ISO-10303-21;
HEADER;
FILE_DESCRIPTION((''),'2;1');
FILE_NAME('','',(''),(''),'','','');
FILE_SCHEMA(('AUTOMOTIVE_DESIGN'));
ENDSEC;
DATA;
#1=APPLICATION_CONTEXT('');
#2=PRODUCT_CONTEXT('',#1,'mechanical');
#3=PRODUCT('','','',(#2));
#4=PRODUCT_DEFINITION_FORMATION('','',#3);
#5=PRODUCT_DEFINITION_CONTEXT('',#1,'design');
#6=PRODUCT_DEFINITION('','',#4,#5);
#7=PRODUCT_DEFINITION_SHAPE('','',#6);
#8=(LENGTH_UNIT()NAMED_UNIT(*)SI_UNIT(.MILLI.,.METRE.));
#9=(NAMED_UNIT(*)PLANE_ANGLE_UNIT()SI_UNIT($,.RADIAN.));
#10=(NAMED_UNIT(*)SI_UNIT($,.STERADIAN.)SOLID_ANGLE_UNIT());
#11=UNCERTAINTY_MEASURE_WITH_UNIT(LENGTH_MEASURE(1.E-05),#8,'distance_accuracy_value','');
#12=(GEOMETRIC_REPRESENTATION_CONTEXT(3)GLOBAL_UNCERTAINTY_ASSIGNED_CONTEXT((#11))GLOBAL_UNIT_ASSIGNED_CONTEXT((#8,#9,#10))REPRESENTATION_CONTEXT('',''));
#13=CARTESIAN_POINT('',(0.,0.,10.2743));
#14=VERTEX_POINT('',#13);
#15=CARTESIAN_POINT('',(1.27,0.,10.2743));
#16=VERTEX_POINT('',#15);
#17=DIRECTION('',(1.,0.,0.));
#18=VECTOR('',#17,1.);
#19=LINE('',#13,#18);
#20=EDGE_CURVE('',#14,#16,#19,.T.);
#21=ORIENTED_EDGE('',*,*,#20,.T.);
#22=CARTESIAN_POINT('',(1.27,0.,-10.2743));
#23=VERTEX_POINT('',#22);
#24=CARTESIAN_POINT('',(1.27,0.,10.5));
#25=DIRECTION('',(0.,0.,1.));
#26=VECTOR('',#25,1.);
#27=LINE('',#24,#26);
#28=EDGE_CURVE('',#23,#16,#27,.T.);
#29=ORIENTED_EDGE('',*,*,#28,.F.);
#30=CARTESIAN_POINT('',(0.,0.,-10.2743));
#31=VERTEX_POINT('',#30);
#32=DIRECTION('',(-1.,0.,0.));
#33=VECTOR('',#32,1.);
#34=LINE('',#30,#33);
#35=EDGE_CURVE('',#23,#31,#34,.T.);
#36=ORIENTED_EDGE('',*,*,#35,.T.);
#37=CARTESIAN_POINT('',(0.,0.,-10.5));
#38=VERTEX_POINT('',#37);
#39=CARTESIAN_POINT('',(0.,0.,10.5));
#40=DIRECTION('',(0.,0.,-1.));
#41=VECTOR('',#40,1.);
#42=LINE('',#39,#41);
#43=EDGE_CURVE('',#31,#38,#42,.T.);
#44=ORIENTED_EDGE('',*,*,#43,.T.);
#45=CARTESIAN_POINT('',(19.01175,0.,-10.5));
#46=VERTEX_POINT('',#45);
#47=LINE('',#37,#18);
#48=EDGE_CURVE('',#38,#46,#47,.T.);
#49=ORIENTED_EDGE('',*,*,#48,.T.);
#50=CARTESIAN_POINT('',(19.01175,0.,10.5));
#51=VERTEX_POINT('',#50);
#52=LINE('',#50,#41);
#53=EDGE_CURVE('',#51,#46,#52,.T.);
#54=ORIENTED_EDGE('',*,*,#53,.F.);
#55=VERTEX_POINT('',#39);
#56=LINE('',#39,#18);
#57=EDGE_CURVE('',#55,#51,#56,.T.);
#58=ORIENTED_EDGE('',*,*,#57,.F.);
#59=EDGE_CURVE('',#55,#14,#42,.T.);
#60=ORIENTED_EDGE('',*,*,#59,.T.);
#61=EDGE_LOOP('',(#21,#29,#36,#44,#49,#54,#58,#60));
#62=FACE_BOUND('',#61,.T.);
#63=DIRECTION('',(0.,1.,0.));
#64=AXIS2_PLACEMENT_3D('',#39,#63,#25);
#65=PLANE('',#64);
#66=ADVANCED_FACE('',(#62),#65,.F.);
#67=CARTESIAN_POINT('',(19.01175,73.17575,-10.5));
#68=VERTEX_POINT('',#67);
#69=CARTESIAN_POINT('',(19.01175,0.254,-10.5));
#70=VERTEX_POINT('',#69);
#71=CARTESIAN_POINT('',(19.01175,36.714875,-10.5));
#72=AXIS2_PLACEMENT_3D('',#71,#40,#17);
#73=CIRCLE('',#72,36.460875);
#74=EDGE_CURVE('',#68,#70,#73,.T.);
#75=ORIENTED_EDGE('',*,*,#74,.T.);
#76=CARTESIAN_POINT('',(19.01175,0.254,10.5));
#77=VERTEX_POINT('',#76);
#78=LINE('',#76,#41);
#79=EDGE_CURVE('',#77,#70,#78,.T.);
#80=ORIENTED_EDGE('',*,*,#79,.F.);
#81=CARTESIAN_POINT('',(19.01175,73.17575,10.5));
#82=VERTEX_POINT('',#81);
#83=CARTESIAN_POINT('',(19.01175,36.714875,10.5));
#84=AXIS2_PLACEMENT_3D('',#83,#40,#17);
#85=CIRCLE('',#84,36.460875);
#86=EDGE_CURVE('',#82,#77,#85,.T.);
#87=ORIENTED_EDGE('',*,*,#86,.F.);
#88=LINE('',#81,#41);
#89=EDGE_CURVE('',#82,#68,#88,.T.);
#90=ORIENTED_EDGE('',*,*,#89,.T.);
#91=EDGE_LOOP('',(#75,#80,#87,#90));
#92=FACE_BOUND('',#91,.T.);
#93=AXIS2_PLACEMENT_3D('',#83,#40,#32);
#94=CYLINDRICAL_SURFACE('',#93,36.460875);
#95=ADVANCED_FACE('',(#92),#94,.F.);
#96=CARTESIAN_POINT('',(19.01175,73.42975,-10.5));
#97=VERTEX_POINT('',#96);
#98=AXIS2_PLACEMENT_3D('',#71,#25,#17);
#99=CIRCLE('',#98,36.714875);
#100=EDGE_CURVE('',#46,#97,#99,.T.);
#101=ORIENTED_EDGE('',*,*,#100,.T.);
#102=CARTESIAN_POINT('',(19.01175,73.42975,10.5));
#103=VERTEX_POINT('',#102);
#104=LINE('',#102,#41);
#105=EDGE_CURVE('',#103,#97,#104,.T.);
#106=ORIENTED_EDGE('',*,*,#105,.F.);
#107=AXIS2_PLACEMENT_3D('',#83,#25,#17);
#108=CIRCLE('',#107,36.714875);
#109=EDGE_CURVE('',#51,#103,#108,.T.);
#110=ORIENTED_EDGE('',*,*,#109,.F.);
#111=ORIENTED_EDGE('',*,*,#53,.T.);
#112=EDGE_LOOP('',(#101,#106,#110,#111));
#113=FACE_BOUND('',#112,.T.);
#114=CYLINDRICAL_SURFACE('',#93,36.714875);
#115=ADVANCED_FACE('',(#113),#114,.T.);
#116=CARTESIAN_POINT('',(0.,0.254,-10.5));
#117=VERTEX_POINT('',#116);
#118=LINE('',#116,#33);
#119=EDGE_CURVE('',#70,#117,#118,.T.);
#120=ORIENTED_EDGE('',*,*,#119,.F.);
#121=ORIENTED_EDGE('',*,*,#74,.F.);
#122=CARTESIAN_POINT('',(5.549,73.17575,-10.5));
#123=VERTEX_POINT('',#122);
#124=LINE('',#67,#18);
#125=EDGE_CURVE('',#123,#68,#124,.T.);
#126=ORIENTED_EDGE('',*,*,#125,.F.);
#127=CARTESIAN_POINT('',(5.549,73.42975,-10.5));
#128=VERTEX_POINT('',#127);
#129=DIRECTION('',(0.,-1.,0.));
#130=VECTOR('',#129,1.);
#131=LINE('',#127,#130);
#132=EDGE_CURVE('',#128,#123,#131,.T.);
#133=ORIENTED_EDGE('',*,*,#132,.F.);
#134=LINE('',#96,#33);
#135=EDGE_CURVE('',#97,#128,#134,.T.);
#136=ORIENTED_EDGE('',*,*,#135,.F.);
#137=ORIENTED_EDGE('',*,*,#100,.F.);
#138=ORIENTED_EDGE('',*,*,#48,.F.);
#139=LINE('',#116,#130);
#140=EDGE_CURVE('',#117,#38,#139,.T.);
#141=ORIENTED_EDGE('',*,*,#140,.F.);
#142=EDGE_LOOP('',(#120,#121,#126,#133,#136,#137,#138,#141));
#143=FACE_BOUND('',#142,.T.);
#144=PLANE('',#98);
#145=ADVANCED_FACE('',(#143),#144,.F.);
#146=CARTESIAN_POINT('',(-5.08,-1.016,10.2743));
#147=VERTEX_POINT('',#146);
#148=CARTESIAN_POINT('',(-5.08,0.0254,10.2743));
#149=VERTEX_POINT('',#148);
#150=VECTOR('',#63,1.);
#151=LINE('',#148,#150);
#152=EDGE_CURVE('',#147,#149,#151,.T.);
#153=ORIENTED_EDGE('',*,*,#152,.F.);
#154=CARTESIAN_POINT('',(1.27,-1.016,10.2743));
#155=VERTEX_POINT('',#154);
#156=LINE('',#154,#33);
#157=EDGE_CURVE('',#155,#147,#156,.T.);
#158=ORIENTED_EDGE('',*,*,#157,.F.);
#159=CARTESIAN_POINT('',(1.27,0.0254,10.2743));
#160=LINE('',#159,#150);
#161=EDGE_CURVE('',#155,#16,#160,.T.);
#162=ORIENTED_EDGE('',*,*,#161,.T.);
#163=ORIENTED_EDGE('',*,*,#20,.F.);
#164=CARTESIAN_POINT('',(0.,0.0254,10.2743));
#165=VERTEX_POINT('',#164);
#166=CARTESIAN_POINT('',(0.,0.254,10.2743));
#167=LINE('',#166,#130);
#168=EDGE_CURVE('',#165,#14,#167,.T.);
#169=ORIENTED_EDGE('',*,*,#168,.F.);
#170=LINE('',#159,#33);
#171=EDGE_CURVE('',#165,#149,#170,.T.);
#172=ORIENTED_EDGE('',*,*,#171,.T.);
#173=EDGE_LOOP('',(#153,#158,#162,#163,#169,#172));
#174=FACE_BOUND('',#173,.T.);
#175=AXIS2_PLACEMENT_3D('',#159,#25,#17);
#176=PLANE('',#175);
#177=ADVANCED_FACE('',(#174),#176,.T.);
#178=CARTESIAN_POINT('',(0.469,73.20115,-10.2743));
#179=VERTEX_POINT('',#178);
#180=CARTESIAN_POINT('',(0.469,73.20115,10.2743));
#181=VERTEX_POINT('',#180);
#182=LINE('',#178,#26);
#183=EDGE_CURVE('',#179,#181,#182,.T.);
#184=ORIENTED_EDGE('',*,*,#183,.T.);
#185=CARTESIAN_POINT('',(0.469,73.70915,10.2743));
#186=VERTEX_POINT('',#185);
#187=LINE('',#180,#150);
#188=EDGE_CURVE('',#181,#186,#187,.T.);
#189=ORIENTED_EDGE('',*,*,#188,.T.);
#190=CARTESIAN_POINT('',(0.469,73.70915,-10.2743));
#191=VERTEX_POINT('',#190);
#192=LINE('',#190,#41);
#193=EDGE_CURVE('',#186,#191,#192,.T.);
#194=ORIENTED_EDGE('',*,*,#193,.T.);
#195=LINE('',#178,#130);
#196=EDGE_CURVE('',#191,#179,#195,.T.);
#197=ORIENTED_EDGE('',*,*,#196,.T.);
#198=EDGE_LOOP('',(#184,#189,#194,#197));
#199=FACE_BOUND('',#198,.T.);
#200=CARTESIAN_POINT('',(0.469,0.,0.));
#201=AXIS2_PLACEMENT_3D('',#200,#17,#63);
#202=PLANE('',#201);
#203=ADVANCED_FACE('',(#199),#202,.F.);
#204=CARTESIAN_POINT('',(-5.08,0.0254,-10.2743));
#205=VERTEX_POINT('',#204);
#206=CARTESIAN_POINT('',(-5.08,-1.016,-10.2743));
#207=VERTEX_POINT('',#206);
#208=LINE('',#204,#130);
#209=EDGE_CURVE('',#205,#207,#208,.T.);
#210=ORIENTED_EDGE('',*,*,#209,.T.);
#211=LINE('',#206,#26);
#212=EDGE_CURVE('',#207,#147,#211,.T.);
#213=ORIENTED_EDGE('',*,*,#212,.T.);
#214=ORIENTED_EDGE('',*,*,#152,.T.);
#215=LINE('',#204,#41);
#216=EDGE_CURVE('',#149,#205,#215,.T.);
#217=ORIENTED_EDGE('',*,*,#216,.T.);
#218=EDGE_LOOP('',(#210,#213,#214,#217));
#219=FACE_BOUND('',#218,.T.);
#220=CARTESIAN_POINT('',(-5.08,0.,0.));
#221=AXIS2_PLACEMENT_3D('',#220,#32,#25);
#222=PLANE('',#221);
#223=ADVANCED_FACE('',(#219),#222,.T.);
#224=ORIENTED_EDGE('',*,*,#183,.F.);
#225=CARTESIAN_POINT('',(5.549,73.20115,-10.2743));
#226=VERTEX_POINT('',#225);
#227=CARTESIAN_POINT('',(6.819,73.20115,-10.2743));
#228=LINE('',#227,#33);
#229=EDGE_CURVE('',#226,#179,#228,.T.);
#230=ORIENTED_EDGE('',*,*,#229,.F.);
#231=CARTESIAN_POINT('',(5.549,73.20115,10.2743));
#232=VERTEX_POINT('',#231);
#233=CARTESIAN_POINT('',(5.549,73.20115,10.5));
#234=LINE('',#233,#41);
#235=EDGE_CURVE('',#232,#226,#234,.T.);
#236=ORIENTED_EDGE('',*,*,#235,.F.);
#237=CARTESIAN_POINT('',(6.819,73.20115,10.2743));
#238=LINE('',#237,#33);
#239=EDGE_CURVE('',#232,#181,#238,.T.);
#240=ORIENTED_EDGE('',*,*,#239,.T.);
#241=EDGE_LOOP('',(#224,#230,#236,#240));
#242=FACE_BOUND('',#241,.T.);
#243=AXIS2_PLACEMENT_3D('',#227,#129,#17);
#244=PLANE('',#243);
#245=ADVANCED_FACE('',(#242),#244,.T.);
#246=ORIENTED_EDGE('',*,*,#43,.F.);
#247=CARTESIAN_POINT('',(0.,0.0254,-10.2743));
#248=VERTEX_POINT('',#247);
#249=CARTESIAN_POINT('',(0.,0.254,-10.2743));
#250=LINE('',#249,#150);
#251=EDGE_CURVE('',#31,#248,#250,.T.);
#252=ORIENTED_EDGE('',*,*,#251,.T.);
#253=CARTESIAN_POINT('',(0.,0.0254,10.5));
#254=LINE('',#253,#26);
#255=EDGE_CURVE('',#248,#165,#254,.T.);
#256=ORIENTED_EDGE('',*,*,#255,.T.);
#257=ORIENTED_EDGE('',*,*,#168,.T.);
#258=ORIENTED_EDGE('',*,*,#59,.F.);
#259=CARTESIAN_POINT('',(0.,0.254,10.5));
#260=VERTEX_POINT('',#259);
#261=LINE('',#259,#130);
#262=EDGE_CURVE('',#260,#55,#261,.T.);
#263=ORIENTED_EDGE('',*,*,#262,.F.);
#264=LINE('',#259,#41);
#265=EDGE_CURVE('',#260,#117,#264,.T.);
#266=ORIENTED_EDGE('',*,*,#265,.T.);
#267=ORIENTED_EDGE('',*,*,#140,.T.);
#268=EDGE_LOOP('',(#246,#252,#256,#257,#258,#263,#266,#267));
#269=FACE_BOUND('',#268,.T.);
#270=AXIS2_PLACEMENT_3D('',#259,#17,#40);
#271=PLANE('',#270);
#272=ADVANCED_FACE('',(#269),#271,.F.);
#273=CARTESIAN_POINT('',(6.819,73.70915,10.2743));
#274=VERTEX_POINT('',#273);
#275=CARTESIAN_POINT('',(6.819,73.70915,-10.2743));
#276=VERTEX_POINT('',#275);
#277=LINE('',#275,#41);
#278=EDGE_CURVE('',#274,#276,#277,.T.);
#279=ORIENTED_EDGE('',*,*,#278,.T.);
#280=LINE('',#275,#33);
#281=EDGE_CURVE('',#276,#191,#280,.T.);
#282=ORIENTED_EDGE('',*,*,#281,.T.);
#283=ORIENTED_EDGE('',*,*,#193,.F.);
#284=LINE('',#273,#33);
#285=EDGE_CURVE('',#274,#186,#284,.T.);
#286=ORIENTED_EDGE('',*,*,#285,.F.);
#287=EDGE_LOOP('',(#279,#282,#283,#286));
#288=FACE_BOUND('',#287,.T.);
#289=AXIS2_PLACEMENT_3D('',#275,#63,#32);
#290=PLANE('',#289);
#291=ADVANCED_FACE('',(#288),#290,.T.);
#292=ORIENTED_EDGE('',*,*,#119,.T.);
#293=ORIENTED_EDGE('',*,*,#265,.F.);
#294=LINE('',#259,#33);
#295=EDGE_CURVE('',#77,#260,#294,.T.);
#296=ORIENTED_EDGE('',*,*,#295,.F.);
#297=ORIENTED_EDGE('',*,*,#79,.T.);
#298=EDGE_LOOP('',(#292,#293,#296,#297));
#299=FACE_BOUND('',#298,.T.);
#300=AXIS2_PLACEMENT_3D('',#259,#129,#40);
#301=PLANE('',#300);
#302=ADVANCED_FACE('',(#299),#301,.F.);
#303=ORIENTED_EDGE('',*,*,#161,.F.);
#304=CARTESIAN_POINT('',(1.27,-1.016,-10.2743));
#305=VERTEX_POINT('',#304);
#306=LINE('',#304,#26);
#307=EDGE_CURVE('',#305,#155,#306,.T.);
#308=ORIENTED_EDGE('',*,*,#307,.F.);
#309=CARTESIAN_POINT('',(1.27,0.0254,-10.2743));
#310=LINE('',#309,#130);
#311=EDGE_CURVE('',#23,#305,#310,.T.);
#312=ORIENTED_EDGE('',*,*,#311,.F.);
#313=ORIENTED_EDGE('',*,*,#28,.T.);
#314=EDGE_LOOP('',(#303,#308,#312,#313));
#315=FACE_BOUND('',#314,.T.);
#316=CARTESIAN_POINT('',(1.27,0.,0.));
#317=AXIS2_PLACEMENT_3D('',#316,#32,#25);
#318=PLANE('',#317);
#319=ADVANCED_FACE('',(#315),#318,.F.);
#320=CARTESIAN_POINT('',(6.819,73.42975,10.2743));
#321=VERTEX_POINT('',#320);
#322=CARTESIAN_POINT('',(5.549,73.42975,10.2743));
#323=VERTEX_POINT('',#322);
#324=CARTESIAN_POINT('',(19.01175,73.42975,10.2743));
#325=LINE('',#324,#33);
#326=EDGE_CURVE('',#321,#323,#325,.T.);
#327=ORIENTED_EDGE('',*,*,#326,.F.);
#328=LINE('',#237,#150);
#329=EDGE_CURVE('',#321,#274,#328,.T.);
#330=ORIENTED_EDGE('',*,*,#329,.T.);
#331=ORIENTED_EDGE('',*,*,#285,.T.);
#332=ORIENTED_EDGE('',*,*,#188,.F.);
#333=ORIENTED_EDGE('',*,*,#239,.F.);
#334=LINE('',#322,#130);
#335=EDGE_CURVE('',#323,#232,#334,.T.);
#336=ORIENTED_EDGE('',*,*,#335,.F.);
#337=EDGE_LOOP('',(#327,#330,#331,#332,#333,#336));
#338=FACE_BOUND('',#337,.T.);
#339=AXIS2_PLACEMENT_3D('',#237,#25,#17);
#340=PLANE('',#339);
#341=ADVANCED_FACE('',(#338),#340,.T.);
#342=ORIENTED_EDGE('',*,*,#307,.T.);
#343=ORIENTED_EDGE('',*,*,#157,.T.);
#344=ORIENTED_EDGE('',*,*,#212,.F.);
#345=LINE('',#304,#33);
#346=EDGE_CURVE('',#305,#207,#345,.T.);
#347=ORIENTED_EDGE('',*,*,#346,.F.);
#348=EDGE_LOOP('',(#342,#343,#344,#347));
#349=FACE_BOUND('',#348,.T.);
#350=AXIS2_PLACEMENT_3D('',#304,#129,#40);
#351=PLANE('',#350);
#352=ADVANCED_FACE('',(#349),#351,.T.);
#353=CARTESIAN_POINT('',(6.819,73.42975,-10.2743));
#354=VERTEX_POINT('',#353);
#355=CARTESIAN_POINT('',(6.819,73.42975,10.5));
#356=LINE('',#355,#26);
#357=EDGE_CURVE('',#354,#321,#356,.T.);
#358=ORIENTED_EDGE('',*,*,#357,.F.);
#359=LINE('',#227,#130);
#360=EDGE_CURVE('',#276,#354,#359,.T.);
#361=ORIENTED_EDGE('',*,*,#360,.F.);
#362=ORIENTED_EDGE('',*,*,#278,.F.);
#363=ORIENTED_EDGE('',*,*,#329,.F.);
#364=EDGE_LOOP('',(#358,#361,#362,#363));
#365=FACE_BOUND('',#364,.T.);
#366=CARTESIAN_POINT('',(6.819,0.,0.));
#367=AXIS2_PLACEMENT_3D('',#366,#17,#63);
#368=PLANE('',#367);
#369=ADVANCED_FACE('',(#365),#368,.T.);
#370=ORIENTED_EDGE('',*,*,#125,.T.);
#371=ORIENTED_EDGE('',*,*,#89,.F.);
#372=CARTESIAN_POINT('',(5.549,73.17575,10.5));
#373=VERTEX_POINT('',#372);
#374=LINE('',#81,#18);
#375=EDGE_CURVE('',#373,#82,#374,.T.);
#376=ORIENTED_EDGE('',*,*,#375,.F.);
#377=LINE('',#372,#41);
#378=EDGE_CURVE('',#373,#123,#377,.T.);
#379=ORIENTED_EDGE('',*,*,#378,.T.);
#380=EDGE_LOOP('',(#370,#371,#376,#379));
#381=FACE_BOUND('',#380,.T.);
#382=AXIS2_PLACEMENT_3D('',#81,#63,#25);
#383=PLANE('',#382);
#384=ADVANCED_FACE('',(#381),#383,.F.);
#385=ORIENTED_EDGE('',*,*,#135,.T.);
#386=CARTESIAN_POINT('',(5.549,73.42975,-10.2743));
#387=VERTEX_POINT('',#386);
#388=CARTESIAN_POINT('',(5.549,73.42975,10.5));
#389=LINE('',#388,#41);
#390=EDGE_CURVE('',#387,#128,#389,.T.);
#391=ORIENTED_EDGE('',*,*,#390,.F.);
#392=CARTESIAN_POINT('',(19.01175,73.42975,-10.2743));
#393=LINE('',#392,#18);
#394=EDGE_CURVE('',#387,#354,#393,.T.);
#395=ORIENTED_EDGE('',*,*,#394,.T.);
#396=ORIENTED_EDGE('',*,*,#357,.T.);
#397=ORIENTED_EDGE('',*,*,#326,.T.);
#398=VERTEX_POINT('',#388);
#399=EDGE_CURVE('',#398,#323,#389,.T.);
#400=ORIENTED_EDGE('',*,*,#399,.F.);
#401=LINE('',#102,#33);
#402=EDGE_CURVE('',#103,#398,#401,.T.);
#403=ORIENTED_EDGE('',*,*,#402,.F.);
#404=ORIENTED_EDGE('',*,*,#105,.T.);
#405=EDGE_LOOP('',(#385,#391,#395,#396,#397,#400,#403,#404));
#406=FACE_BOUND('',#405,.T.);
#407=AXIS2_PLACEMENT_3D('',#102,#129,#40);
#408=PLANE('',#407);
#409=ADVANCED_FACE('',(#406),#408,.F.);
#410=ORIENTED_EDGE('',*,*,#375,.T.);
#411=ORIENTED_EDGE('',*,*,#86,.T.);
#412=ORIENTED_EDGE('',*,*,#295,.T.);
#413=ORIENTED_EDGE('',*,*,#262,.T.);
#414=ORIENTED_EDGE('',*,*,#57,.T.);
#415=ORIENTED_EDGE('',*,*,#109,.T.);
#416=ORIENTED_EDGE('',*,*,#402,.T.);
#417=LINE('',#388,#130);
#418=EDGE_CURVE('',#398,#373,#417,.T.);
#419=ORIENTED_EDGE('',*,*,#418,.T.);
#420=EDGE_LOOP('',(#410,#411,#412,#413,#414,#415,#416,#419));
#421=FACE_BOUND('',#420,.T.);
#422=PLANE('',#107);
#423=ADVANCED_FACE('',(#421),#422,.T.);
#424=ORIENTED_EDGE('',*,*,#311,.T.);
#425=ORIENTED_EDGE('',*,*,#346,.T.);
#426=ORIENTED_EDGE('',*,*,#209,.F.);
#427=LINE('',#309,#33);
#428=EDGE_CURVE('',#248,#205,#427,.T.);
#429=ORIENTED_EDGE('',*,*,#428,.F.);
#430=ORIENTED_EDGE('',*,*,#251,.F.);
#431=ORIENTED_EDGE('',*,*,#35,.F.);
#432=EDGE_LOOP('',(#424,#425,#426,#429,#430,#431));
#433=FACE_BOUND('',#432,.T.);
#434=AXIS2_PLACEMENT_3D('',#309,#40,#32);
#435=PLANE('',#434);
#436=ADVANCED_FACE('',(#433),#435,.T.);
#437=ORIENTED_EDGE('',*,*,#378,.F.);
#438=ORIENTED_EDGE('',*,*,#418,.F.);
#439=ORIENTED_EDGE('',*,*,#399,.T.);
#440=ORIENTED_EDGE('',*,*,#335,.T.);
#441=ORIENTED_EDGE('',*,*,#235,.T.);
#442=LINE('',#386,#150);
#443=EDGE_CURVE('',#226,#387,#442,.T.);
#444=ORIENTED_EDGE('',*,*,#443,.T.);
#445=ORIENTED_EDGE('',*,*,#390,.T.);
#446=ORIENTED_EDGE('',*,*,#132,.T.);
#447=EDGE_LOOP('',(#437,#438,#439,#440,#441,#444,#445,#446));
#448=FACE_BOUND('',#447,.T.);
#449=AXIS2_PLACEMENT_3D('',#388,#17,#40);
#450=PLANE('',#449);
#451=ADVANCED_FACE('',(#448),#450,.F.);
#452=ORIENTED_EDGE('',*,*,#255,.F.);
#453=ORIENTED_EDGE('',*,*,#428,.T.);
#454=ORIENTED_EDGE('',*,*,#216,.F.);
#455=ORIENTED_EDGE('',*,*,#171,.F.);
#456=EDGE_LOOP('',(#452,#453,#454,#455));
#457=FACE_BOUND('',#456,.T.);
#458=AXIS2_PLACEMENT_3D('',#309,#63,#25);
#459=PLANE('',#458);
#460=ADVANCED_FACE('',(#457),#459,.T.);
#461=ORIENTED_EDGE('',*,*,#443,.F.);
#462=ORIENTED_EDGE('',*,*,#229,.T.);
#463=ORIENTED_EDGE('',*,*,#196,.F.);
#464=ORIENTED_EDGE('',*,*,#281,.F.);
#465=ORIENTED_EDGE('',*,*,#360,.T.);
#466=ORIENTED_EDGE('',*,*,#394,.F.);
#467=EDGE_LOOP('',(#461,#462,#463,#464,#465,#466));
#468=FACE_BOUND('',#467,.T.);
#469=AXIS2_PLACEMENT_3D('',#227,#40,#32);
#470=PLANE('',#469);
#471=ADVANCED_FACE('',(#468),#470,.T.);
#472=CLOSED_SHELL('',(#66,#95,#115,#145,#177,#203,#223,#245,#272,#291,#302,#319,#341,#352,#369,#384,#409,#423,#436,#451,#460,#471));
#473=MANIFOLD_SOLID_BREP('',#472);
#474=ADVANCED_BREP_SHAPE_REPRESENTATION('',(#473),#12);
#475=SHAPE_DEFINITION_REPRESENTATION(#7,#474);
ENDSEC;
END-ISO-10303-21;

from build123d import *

# Parameters (mm, degrees)
BOSS_EXTRUDE1_DEPTH      = 10.5
BOSS_EXTRUDE2_DEPTH      = 5.08
BOSS_EXTRUDE2_DEPTH_BACK = 1.27
SKETCH3_W                = 20.5486
SKETCH3_H                = 1.0414
BOSS_EXTRUDE3_DEPTH      = 5.08
BOSS_EXTRUDE3_DEPTH_BACK = 1.27
SKETCH4_W                = 20.5486
SKETCH4_H                = 0.508


with BuildPart() as part:
    # Sketch1 → Boss-Extrude1 (new, symmetric)
    with BuildSketch(Plane.XY):
        with BuildLine():
            Line((0, 0), (19.01175011, 0))
            ThreePointArc((19.01175011, 0), (55.726625118, 36.714875008), (19.01175011, 73.429750016))
            Line((19.01175011, 73.429750016), (5.549000018, 73.429750016))
            Line((5.549000018, 73.429750016), (5.549000018, 73.175750016))
            Line((5.549000018, 73.175750016), (19.01175011, 73.175750016))
            ThreePointArc((19.01175011, 73.175750016), (55.472625118, 36.714875008), (19.01175011, 0.254))
            Line((19.01175011, 0.254), (0, 0.254))
            Line((0, 0.254), (0, 0))
        make_face()
    extrude(amount=BOSS_EXTRUDE1_DEPTH, both=True)

    # Sketch3 → Boss-Extrude2 (add, two sides: drawn at the far end of the back side and taken through both)
    with BuildSketch(Plane.ZY.offset(-BOSS_EXTRUDE2_DEPTH_BACK)):
        with Locations((0, -0.4953)):
            Rectangle(SKETCH3_W, SKETCH3_H)
    extrude(amount=BOSS_EXTRUDE2_DEPTH + BOSS_EXTRUDE2_DEPTH_BACK)

    # Sketch4 → Boss-Extrude3 (add, two sides: drawn at the far end of the back side and taken through both)
    with BuildSketch(Plane.ZY.offset(-5.549000018).offset(-BOSS_EXTRUDE3_DEPTH_BACK)):
        with Locations((0, 73.455150016)):
            Rectangle(SKETCH4_W, SKETCH4_H)
    extrude(amount=BOSS_EXTRUDE3_DEPTH + BOSS_EXTRUDE3_DEPTH_BACK)


solid = part.part
